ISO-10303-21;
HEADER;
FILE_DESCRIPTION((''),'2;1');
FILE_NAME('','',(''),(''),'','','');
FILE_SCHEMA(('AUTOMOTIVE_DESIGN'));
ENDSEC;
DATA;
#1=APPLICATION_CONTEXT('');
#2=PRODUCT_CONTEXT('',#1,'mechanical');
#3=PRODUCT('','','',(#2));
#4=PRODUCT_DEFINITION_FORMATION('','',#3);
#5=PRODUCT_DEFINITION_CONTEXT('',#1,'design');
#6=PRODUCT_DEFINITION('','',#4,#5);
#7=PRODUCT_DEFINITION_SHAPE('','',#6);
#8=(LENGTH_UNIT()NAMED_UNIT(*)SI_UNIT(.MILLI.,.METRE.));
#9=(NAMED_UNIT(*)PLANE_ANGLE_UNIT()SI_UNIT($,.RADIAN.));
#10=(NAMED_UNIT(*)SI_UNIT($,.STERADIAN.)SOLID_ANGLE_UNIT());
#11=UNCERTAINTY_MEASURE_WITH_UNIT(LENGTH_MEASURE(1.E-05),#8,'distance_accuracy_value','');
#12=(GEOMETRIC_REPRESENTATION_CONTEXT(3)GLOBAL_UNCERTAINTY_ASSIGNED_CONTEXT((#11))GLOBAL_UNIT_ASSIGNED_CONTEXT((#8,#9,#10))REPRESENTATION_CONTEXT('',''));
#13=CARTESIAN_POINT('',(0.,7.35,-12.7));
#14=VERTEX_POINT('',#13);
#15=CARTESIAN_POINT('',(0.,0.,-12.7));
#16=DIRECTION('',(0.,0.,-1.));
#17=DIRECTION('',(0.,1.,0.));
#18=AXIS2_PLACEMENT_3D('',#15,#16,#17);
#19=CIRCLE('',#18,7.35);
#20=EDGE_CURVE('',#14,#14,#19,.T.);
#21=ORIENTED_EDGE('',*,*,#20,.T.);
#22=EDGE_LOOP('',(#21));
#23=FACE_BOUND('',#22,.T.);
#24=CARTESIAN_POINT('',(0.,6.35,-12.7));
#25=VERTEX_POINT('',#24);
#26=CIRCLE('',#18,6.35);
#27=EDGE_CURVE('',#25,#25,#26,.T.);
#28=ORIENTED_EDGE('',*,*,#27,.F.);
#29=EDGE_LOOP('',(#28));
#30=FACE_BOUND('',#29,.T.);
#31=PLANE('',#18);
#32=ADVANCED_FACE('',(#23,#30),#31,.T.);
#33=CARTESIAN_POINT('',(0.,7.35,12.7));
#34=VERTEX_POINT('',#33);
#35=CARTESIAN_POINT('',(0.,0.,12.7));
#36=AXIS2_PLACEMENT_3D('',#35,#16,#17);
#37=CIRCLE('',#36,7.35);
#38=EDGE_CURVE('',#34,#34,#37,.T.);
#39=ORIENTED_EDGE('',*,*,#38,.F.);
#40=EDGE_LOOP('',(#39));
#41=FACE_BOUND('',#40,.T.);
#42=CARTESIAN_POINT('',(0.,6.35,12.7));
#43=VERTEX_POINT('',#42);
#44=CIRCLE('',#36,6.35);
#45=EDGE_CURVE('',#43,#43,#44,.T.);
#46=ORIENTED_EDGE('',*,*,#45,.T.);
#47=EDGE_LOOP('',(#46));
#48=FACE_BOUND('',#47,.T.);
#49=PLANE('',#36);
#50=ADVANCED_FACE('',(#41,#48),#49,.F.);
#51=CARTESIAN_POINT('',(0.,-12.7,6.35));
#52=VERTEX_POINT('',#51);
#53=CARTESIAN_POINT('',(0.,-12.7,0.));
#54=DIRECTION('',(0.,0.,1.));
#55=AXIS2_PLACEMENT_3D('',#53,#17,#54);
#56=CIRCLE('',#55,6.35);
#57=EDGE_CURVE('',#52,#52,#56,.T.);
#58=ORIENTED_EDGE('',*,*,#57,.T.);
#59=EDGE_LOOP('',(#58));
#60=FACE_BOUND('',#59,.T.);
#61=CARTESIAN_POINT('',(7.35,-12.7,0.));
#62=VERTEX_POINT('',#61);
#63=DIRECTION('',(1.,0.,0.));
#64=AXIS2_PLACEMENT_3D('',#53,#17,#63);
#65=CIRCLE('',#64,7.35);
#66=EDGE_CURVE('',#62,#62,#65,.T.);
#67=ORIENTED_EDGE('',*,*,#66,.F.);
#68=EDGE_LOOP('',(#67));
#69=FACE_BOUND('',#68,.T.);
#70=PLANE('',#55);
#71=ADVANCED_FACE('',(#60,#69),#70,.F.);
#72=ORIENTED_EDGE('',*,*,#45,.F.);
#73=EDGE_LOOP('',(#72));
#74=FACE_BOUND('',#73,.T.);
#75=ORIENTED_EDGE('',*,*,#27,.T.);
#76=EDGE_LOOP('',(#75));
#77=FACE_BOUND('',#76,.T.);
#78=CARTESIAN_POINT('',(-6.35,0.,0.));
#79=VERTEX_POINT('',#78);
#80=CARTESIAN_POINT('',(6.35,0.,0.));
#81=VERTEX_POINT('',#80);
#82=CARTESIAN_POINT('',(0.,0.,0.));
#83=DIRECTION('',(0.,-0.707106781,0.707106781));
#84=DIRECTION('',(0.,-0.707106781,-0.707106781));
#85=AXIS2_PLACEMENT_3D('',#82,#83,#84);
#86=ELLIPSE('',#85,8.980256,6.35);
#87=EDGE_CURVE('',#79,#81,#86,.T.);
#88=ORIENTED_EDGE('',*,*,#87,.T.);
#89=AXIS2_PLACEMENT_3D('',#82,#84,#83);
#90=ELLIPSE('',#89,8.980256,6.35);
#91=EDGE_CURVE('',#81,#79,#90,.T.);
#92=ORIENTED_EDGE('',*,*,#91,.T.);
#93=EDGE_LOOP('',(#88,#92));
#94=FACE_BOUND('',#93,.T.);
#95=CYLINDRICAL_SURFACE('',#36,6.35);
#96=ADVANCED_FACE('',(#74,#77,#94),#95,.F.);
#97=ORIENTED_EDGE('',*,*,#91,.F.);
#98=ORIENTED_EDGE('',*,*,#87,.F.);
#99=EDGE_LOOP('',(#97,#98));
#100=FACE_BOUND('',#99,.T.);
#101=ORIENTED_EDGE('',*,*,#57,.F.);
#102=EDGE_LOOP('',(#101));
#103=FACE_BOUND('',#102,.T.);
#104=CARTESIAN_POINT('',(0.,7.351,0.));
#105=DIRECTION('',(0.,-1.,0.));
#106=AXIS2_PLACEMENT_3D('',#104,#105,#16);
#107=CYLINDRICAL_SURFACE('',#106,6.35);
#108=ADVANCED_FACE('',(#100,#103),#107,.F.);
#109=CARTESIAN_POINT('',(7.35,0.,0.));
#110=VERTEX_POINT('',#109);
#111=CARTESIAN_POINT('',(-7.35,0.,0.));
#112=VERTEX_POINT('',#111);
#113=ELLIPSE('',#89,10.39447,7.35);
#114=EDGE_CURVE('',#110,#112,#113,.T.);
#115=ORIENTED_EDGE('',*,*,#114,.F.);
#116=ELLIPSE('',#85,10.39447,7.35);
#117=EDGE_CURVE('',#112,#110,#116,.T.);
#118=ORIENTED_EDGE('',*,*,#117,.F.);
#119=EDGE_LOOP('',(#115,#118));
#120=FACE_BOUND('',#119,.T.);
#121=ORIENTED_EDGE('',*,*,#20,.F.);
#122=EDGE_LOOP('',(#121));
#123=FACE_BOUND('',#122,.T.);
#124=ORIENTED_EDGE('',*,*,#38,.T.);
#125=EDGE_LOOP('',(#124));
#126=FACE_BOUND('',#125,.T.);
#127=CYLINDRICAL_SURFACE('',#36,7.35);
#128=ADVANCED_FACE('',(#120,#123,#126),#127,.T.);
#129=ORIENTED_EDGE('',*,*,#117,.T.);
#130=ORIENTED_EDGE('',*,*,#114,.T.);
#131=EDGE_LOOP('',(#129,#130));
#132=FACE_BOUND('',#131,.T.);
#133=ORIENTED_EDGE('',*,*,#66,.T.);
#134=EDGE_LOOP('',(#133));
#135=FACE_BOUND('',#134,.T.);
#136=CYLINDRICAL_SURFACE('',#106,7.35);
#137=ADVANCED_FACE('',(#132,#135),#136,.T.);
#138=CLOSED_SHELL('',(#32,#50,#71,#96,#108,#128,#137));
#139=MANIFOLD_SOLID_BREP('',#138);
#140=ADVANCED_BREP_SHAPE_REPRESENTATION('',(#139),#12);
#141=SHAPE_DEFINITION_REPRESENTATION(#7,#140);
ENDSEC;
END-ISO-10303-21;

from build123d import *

# Parameters (mm, degrees)
TUBE_PROFILE_R          = 7.35
TUBE_PROFILE_R_2        = 6.35
EXTRUDE_THIN_REACH      = 31.111
EXTRUDE_THIN_END_RADIUS = 7.35
EXTRUDE_THIN_START      = -12.7
PROFILE_R               = 7.35
PROFILE_R_2             = 6.35
CUT_EXTRUDE_START       = -7.35
PROFILE_2_R             = 6.35
CUT_EXTRUDE_DEPTH       = 7.35


with BuildPart() as part:
    # Tube: sweep along a path in Path
    with BuildLine(Plane(origin=(0, 0, 0), x_dir=(0, 0, -1), z_dir=(1, 0, 0))) as tube_path:
        Line((-12.7, 0), (12.7, 0))
    # Tube profile (on start of the path) → Tube (sweep)
    with BuildSketch(Plane(origin=(0, 0, 12.7), x_dir=(0, -1, 0), z_dir=(0, 0, -1))):
        Circle(TUBE_PROFILE_R)
        Circle(TUBE_PROFILE_R_2, mode=Mode.SUBTRACT)
    sweep(path=tube_path.line)

    # Extrude-Thin: up to this cylinder (the profile starts outside it)
    extrude_thin_end = Plane(origin=(0, 0, 0), z_dir=(0, 0, -1)) * Cylinder(EXTRUDE_THIN_END_RADIUS, 77.922, mode=Mode.PRIVATE)
    # Profile → Extrude-Thin (add, up to the surface)
    with BuildSketch(Plane(origin=(0, 0, 0), x_dir=(1, 0, 0), z_dir=(0, 1, 0)).offset(EXTRUDE_THIN_START), mode=Mode.PRIVATE) as extrude_thin_sk1:
        Circle(PROFILE_R)
        Circle(PROFILE_R_2, mode=Mode.SUBTRACT)
    extrude_thin_tool1 = extrude(extrude_thin_sk1.sketch, amount=EXTRUDE_THIN_REACH, mode=Mode.PRIVATE) - extrude_thin_end
    add(extrude_thin_tool1.solids().sort_by_distance((-7.142111, -12.7, 0))[0])

    # Profile<2> → Cut-Extrude (cut)
    with BuildSketch(Plane(origin=(0, 0, 0), x_dir=(1, 0, 0), z_dir=(0, 1, 0)).offset(CUT_EXTRUDE_START)):
        with Locations(Location((0, 0, 0), (0, 0, 180))):
            Circle(PROFILE_2_R)
    extrude(amount=CUT_EXTRUDE_DEPTH, mode=Mode.SUBTRACT)


solid = part.part
